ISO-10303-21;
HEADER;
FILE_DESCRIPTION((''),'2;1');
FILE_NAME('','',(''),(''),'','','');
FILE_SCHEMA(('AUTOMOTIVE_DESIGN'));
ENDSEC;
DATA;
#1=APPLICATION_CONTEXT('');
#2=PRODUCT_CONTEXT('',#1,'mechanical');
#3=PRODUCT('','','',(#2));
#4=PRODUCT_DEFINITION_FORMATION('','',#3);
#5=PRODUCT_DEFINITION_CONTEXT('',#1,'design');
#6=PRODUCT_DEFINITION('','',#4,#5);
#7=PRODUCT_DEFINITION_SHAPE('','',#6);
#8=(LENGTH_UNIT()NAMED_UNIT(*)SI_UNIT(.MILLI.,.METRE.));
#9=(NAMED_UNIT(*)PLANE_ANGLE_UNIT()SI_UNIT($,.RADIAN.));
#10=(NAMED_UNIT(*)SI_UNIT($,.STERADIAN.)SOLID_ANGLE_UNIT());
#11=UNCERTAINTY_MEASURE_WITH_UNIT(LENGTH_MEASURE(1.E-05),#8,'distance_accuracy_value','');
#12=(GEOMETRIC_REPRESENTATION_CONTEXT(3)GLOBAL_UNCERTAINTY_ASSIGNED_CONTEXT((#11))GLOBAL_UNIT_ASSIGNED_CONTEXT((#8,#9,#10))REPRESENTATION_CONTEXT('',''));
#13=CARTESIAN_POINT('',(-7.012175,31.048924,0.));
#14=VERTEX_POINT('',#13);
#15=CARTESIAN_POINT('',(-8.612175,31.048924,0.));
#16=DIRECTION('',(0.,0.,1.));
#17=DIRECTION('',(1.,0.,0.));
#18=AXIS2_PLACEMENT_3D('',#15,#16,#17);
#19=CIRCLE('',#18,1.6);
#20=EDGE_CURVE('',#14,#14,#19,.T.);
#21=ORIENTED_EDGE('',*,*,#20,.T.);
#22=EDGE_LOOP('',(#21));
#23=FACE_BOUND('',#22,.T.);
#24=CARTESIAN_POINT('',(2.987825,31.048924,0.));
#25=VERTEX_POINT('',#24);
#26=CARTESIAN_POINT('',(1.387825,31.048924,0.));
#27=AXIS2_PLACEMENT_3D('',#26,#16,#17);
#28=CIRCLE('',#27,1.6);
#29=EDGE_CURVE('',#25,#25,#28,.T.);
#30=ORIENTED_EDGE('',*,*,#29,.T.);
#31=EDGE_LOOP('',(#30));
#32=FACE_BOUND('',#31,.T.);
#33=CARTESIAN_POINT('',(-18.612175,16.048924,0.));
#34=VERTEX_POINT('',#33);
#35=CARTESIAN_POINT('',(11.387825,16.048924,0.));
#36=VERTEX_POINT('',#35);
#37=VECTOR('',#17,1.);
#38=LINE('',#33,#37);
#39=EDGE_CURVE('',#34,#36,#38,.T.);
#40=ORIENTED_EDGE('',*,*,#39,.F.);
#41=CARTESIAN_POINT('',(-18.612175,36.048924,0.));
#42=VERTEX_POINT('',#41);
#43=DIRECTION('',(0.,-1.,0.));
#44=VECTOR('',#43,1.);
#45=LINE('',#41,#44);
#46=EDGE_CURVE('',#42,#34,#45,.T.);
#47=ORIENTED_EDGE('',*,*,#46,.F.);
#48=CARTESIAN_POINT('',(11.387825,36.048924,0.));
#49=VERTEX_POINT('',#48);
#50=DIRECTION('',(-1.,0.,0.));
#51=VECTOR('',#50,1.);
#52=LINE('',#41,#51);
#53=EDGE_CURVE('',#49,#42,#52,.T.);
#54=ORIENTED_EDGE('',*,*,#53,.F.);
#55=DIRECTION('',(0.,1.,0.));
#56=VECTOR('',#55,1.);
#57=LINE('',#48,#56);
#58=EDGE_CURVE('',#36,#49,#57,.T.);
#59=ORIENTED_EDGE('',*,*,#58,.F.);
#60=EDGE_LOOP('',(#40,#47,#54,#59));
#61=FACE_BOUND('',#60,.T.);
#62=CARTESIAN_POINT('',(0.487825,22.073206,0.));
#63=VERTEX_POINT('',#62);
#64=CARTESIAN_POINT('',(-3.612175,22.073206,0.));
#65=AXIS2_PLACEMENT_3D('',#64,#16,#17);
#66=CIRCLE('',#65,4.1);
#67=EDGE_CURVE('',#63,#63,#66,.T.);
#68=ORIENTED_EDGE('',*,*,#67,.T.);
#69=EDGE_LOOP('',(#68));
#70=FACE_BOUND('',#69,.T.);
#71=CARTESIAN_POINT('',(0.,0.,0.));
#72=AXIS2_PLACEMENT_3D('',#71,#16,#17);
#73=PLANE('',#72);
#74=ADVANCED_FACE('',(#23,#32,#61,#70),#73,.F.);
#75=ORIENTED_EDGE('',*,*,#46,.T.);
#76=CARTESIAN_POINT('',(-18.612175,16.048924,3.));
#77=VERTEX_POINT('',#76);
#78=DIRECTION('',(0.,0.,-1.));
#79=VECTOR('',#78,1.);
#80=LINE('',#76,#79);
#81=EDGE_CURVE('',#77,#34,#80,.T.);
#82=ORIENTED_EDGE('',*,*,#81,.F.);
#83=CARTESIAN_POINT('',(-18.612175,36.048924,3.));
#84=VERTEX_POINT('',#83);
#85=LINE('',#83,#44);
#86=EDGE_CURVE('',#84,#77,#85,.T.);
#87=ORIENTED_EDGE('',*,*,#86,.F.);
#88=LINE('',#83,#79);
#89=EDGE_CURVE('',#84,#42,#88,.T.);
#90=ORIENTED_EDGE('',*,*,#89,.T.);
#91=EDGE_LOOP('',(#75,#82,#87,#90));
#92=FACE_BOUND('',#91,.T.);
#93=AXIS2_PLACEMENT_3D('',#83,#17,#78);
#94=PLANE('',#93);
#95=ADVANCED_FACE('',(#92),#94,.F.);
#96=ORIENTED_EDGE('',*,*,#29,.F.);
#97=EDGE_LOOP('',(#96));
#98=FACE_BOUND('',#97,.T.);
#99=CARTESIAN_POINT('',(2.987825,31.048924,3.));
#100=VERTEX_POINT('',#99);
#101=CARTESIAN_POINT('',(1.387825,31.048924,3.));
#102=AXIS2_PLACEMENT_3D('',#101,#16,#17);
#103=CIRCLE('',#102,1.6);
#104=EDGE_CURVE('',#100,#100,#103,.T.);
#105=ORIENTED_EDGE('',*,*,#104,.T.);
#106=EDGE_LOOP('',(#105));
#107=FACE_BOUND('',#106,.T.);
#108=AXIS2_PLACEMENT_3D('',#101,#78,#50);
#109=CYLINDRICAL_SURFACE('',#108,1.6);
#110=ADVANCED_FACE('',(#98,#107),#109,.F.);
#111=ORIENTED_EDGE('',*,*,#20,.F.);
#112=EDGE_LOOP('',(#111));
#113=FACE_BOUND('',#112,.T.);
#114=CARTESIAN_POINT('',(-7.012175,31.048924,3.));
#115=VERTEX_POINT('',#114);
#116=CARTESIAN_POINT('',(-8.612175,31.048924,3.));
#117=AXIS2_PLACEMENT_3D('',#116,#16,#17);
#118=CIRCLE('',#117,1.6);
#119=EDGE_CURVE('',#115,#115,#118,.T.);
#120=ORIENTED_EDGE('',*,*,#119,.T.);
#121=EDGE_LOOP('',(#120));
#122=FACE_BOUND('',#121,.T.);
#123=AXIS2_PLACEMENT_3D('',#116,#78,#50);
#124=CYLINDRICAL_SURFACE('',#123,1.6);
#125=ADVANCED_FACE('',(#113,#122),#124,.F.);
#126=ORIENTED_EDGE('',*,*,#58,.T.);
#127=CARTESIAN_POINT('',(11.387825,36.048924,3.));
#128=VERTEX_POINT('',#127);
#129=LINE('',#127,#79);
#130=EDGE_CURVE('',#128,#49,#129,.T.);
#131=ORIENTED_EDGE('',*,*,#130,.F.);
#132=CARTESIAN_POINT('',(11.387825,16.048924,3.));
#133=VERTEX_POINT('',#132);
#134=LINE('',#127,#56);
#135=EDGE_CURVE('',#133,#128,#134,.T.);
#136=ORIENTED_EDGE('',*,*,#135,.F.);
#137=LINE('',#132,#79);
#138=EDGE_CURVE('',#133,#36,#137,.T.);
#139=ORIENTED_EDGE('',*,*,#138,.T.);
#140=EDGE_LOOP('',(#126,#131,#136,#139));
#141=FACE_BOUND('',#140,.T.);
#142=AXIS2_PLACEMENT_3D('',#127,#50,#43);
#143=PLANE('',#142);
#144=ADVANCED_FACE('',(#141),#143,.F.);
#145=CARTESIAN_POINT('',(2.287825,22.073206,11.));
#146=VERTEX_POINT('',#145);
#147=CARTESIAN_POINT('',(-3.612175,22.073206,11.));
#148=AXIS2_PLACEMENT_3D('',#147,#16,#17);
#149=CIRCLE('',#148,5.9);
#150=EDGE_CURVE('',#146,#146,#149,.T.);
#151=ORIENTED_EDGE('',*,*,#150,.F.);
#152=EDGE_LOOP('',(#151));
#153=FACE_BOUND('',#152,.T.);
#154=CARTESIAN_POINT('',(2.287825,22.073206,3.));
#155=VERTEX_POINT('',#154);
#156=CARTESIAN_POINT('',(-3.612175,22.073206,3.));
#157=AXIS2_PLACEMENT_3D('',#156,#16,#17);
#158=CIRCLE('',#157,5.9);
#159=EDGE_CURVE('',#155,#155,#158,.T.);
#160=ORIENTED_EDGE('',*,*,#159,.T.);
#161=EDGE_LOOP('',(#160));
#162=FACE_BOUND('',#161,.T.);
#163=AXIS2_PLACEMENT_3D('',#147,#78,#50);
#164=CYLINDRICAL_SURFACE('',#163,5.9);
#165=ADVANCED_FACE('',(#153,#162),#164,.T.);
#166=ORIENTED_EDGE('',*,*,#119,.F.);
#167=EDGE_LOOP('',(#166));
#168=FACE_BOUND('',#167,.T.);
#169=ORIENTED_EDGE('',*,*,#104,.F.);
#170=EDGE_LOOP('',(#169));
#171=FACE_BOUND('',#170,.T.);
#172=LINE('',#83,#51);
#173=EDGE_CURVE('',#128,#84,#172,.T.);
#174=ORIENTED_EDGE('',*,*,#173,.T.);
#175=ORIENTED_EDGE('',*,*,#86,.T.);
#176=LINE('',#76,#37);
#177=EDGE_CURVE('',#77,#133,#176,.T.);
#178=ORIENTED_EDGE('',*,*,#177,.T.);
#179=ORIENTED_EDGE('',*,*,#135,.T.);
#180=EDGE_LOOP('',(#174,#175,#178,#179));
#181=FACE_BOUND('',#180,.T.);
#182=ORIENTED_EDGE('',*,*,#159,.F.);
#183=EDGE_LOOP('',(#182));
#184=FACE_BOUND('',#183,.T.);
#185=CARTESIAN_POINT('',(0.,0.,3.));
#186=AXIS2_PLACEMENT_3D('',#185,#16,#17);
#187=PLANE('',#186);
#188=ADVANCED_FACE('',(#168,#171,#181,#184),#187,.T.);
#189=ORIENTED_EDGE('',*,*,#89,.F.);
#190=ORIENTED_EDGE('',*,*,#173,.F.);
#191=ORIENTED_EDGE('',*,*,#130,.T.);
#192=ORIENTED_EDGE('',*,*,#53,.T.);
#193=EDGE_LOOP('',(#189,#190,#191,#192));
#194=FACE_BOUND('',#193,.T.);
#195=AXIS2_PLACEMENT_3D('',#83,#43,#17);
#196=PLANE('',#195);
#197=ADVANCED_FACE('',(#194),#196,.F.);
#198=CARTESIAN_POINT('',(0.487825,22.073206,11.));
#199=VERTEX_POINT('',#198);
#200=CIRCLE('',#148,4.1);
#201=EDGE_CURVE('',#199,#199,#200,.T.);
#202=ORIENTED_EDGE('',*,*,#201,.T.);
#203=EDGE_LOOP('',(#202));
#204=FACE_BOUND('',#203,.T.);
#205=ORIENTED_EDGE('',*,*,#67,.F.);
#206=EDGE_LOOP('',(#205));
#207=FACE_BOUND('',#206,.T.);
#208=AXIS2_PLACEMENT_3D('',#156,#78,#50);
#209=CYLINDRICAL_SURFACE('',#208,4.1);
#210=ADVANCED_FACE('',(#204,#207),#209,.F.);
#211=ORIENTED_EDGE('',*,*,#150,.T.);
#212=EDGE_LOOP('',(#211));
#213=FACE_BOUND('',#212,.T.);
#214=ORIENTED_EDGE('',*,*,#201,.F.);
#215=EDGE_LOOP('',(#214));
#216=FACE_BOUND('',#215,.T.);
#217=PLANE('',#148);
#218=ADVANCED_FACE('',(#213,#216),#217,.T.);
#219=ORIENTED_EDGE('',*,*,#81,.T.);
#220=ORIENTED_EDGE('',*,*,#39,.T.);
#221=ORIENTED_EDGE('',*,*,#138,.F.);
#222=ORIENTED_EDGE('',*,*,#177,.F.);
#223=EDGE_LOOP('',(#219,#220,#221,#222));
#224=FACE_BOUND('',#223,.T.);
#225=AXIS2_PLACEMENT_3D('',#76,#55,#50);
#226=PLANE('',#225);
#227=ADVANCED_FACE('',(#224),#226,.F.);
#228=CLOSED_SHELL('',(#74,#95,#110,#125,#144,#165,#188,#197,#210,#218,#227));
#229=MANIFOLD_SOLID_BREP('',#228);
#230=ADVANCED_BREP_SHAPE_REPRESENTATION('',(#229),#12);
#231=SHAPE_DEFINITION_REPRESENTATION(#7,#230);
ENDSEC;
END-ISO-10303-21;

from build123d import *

# Parameters (mm, degrees)
SKETCH_1_W      = 30
SKETCH_1_H      = 20
SKETCH_1_R      = 1.6
SKETCH_1_R_2    = 4.1
EXTRUDE_1_DEPTH = 3
SKETCH_2_R      = 5.9
SKETCH_2_R_2    = 4.1
EXTRUDE_2_DEPTH = 8


with BuildPart() as part:
    # 草图1 → 凸台-拉伸1 (new body)
    with BuildSketch(Plane.XY):
        with Locations((-3.612174849, 26.048923765)):
            Rectangle(SKETCH_1_W, SKETCH_1_H)
        with Locations((-8.612174849, 31.048923765)):
            Circle(SKETCH_1_R, mode=Mode.SUBTRACT)
        with Locations((1.387825151, 31.048923765)):
            Circle(SKETCH_1_R, mode=Mode.SUBTRACT)
        with Locations((-3.612174849, 22.073206433)):
            Circle(SKETCH_1_R_2, mode=Mode.SUBTRACT)
    extrude(amount=EXTRUDE_1_DEPTH)

    # 草图2 → 凸台-拉伸2 (add)
    with BuildSketch(Plane.XY.offset(3)):
        with Locations((-3.612174849, 22.073206433)):
            Circle(SKETCH_2_R)
        with Locations((-3.612174849, 22.073206433)):
            Circle(SKETCH_2_R_2, mode=Mode.SUBTRACT)
    extrude(amount=EXTRUDE_2_DEPTH)


solid = part.part
